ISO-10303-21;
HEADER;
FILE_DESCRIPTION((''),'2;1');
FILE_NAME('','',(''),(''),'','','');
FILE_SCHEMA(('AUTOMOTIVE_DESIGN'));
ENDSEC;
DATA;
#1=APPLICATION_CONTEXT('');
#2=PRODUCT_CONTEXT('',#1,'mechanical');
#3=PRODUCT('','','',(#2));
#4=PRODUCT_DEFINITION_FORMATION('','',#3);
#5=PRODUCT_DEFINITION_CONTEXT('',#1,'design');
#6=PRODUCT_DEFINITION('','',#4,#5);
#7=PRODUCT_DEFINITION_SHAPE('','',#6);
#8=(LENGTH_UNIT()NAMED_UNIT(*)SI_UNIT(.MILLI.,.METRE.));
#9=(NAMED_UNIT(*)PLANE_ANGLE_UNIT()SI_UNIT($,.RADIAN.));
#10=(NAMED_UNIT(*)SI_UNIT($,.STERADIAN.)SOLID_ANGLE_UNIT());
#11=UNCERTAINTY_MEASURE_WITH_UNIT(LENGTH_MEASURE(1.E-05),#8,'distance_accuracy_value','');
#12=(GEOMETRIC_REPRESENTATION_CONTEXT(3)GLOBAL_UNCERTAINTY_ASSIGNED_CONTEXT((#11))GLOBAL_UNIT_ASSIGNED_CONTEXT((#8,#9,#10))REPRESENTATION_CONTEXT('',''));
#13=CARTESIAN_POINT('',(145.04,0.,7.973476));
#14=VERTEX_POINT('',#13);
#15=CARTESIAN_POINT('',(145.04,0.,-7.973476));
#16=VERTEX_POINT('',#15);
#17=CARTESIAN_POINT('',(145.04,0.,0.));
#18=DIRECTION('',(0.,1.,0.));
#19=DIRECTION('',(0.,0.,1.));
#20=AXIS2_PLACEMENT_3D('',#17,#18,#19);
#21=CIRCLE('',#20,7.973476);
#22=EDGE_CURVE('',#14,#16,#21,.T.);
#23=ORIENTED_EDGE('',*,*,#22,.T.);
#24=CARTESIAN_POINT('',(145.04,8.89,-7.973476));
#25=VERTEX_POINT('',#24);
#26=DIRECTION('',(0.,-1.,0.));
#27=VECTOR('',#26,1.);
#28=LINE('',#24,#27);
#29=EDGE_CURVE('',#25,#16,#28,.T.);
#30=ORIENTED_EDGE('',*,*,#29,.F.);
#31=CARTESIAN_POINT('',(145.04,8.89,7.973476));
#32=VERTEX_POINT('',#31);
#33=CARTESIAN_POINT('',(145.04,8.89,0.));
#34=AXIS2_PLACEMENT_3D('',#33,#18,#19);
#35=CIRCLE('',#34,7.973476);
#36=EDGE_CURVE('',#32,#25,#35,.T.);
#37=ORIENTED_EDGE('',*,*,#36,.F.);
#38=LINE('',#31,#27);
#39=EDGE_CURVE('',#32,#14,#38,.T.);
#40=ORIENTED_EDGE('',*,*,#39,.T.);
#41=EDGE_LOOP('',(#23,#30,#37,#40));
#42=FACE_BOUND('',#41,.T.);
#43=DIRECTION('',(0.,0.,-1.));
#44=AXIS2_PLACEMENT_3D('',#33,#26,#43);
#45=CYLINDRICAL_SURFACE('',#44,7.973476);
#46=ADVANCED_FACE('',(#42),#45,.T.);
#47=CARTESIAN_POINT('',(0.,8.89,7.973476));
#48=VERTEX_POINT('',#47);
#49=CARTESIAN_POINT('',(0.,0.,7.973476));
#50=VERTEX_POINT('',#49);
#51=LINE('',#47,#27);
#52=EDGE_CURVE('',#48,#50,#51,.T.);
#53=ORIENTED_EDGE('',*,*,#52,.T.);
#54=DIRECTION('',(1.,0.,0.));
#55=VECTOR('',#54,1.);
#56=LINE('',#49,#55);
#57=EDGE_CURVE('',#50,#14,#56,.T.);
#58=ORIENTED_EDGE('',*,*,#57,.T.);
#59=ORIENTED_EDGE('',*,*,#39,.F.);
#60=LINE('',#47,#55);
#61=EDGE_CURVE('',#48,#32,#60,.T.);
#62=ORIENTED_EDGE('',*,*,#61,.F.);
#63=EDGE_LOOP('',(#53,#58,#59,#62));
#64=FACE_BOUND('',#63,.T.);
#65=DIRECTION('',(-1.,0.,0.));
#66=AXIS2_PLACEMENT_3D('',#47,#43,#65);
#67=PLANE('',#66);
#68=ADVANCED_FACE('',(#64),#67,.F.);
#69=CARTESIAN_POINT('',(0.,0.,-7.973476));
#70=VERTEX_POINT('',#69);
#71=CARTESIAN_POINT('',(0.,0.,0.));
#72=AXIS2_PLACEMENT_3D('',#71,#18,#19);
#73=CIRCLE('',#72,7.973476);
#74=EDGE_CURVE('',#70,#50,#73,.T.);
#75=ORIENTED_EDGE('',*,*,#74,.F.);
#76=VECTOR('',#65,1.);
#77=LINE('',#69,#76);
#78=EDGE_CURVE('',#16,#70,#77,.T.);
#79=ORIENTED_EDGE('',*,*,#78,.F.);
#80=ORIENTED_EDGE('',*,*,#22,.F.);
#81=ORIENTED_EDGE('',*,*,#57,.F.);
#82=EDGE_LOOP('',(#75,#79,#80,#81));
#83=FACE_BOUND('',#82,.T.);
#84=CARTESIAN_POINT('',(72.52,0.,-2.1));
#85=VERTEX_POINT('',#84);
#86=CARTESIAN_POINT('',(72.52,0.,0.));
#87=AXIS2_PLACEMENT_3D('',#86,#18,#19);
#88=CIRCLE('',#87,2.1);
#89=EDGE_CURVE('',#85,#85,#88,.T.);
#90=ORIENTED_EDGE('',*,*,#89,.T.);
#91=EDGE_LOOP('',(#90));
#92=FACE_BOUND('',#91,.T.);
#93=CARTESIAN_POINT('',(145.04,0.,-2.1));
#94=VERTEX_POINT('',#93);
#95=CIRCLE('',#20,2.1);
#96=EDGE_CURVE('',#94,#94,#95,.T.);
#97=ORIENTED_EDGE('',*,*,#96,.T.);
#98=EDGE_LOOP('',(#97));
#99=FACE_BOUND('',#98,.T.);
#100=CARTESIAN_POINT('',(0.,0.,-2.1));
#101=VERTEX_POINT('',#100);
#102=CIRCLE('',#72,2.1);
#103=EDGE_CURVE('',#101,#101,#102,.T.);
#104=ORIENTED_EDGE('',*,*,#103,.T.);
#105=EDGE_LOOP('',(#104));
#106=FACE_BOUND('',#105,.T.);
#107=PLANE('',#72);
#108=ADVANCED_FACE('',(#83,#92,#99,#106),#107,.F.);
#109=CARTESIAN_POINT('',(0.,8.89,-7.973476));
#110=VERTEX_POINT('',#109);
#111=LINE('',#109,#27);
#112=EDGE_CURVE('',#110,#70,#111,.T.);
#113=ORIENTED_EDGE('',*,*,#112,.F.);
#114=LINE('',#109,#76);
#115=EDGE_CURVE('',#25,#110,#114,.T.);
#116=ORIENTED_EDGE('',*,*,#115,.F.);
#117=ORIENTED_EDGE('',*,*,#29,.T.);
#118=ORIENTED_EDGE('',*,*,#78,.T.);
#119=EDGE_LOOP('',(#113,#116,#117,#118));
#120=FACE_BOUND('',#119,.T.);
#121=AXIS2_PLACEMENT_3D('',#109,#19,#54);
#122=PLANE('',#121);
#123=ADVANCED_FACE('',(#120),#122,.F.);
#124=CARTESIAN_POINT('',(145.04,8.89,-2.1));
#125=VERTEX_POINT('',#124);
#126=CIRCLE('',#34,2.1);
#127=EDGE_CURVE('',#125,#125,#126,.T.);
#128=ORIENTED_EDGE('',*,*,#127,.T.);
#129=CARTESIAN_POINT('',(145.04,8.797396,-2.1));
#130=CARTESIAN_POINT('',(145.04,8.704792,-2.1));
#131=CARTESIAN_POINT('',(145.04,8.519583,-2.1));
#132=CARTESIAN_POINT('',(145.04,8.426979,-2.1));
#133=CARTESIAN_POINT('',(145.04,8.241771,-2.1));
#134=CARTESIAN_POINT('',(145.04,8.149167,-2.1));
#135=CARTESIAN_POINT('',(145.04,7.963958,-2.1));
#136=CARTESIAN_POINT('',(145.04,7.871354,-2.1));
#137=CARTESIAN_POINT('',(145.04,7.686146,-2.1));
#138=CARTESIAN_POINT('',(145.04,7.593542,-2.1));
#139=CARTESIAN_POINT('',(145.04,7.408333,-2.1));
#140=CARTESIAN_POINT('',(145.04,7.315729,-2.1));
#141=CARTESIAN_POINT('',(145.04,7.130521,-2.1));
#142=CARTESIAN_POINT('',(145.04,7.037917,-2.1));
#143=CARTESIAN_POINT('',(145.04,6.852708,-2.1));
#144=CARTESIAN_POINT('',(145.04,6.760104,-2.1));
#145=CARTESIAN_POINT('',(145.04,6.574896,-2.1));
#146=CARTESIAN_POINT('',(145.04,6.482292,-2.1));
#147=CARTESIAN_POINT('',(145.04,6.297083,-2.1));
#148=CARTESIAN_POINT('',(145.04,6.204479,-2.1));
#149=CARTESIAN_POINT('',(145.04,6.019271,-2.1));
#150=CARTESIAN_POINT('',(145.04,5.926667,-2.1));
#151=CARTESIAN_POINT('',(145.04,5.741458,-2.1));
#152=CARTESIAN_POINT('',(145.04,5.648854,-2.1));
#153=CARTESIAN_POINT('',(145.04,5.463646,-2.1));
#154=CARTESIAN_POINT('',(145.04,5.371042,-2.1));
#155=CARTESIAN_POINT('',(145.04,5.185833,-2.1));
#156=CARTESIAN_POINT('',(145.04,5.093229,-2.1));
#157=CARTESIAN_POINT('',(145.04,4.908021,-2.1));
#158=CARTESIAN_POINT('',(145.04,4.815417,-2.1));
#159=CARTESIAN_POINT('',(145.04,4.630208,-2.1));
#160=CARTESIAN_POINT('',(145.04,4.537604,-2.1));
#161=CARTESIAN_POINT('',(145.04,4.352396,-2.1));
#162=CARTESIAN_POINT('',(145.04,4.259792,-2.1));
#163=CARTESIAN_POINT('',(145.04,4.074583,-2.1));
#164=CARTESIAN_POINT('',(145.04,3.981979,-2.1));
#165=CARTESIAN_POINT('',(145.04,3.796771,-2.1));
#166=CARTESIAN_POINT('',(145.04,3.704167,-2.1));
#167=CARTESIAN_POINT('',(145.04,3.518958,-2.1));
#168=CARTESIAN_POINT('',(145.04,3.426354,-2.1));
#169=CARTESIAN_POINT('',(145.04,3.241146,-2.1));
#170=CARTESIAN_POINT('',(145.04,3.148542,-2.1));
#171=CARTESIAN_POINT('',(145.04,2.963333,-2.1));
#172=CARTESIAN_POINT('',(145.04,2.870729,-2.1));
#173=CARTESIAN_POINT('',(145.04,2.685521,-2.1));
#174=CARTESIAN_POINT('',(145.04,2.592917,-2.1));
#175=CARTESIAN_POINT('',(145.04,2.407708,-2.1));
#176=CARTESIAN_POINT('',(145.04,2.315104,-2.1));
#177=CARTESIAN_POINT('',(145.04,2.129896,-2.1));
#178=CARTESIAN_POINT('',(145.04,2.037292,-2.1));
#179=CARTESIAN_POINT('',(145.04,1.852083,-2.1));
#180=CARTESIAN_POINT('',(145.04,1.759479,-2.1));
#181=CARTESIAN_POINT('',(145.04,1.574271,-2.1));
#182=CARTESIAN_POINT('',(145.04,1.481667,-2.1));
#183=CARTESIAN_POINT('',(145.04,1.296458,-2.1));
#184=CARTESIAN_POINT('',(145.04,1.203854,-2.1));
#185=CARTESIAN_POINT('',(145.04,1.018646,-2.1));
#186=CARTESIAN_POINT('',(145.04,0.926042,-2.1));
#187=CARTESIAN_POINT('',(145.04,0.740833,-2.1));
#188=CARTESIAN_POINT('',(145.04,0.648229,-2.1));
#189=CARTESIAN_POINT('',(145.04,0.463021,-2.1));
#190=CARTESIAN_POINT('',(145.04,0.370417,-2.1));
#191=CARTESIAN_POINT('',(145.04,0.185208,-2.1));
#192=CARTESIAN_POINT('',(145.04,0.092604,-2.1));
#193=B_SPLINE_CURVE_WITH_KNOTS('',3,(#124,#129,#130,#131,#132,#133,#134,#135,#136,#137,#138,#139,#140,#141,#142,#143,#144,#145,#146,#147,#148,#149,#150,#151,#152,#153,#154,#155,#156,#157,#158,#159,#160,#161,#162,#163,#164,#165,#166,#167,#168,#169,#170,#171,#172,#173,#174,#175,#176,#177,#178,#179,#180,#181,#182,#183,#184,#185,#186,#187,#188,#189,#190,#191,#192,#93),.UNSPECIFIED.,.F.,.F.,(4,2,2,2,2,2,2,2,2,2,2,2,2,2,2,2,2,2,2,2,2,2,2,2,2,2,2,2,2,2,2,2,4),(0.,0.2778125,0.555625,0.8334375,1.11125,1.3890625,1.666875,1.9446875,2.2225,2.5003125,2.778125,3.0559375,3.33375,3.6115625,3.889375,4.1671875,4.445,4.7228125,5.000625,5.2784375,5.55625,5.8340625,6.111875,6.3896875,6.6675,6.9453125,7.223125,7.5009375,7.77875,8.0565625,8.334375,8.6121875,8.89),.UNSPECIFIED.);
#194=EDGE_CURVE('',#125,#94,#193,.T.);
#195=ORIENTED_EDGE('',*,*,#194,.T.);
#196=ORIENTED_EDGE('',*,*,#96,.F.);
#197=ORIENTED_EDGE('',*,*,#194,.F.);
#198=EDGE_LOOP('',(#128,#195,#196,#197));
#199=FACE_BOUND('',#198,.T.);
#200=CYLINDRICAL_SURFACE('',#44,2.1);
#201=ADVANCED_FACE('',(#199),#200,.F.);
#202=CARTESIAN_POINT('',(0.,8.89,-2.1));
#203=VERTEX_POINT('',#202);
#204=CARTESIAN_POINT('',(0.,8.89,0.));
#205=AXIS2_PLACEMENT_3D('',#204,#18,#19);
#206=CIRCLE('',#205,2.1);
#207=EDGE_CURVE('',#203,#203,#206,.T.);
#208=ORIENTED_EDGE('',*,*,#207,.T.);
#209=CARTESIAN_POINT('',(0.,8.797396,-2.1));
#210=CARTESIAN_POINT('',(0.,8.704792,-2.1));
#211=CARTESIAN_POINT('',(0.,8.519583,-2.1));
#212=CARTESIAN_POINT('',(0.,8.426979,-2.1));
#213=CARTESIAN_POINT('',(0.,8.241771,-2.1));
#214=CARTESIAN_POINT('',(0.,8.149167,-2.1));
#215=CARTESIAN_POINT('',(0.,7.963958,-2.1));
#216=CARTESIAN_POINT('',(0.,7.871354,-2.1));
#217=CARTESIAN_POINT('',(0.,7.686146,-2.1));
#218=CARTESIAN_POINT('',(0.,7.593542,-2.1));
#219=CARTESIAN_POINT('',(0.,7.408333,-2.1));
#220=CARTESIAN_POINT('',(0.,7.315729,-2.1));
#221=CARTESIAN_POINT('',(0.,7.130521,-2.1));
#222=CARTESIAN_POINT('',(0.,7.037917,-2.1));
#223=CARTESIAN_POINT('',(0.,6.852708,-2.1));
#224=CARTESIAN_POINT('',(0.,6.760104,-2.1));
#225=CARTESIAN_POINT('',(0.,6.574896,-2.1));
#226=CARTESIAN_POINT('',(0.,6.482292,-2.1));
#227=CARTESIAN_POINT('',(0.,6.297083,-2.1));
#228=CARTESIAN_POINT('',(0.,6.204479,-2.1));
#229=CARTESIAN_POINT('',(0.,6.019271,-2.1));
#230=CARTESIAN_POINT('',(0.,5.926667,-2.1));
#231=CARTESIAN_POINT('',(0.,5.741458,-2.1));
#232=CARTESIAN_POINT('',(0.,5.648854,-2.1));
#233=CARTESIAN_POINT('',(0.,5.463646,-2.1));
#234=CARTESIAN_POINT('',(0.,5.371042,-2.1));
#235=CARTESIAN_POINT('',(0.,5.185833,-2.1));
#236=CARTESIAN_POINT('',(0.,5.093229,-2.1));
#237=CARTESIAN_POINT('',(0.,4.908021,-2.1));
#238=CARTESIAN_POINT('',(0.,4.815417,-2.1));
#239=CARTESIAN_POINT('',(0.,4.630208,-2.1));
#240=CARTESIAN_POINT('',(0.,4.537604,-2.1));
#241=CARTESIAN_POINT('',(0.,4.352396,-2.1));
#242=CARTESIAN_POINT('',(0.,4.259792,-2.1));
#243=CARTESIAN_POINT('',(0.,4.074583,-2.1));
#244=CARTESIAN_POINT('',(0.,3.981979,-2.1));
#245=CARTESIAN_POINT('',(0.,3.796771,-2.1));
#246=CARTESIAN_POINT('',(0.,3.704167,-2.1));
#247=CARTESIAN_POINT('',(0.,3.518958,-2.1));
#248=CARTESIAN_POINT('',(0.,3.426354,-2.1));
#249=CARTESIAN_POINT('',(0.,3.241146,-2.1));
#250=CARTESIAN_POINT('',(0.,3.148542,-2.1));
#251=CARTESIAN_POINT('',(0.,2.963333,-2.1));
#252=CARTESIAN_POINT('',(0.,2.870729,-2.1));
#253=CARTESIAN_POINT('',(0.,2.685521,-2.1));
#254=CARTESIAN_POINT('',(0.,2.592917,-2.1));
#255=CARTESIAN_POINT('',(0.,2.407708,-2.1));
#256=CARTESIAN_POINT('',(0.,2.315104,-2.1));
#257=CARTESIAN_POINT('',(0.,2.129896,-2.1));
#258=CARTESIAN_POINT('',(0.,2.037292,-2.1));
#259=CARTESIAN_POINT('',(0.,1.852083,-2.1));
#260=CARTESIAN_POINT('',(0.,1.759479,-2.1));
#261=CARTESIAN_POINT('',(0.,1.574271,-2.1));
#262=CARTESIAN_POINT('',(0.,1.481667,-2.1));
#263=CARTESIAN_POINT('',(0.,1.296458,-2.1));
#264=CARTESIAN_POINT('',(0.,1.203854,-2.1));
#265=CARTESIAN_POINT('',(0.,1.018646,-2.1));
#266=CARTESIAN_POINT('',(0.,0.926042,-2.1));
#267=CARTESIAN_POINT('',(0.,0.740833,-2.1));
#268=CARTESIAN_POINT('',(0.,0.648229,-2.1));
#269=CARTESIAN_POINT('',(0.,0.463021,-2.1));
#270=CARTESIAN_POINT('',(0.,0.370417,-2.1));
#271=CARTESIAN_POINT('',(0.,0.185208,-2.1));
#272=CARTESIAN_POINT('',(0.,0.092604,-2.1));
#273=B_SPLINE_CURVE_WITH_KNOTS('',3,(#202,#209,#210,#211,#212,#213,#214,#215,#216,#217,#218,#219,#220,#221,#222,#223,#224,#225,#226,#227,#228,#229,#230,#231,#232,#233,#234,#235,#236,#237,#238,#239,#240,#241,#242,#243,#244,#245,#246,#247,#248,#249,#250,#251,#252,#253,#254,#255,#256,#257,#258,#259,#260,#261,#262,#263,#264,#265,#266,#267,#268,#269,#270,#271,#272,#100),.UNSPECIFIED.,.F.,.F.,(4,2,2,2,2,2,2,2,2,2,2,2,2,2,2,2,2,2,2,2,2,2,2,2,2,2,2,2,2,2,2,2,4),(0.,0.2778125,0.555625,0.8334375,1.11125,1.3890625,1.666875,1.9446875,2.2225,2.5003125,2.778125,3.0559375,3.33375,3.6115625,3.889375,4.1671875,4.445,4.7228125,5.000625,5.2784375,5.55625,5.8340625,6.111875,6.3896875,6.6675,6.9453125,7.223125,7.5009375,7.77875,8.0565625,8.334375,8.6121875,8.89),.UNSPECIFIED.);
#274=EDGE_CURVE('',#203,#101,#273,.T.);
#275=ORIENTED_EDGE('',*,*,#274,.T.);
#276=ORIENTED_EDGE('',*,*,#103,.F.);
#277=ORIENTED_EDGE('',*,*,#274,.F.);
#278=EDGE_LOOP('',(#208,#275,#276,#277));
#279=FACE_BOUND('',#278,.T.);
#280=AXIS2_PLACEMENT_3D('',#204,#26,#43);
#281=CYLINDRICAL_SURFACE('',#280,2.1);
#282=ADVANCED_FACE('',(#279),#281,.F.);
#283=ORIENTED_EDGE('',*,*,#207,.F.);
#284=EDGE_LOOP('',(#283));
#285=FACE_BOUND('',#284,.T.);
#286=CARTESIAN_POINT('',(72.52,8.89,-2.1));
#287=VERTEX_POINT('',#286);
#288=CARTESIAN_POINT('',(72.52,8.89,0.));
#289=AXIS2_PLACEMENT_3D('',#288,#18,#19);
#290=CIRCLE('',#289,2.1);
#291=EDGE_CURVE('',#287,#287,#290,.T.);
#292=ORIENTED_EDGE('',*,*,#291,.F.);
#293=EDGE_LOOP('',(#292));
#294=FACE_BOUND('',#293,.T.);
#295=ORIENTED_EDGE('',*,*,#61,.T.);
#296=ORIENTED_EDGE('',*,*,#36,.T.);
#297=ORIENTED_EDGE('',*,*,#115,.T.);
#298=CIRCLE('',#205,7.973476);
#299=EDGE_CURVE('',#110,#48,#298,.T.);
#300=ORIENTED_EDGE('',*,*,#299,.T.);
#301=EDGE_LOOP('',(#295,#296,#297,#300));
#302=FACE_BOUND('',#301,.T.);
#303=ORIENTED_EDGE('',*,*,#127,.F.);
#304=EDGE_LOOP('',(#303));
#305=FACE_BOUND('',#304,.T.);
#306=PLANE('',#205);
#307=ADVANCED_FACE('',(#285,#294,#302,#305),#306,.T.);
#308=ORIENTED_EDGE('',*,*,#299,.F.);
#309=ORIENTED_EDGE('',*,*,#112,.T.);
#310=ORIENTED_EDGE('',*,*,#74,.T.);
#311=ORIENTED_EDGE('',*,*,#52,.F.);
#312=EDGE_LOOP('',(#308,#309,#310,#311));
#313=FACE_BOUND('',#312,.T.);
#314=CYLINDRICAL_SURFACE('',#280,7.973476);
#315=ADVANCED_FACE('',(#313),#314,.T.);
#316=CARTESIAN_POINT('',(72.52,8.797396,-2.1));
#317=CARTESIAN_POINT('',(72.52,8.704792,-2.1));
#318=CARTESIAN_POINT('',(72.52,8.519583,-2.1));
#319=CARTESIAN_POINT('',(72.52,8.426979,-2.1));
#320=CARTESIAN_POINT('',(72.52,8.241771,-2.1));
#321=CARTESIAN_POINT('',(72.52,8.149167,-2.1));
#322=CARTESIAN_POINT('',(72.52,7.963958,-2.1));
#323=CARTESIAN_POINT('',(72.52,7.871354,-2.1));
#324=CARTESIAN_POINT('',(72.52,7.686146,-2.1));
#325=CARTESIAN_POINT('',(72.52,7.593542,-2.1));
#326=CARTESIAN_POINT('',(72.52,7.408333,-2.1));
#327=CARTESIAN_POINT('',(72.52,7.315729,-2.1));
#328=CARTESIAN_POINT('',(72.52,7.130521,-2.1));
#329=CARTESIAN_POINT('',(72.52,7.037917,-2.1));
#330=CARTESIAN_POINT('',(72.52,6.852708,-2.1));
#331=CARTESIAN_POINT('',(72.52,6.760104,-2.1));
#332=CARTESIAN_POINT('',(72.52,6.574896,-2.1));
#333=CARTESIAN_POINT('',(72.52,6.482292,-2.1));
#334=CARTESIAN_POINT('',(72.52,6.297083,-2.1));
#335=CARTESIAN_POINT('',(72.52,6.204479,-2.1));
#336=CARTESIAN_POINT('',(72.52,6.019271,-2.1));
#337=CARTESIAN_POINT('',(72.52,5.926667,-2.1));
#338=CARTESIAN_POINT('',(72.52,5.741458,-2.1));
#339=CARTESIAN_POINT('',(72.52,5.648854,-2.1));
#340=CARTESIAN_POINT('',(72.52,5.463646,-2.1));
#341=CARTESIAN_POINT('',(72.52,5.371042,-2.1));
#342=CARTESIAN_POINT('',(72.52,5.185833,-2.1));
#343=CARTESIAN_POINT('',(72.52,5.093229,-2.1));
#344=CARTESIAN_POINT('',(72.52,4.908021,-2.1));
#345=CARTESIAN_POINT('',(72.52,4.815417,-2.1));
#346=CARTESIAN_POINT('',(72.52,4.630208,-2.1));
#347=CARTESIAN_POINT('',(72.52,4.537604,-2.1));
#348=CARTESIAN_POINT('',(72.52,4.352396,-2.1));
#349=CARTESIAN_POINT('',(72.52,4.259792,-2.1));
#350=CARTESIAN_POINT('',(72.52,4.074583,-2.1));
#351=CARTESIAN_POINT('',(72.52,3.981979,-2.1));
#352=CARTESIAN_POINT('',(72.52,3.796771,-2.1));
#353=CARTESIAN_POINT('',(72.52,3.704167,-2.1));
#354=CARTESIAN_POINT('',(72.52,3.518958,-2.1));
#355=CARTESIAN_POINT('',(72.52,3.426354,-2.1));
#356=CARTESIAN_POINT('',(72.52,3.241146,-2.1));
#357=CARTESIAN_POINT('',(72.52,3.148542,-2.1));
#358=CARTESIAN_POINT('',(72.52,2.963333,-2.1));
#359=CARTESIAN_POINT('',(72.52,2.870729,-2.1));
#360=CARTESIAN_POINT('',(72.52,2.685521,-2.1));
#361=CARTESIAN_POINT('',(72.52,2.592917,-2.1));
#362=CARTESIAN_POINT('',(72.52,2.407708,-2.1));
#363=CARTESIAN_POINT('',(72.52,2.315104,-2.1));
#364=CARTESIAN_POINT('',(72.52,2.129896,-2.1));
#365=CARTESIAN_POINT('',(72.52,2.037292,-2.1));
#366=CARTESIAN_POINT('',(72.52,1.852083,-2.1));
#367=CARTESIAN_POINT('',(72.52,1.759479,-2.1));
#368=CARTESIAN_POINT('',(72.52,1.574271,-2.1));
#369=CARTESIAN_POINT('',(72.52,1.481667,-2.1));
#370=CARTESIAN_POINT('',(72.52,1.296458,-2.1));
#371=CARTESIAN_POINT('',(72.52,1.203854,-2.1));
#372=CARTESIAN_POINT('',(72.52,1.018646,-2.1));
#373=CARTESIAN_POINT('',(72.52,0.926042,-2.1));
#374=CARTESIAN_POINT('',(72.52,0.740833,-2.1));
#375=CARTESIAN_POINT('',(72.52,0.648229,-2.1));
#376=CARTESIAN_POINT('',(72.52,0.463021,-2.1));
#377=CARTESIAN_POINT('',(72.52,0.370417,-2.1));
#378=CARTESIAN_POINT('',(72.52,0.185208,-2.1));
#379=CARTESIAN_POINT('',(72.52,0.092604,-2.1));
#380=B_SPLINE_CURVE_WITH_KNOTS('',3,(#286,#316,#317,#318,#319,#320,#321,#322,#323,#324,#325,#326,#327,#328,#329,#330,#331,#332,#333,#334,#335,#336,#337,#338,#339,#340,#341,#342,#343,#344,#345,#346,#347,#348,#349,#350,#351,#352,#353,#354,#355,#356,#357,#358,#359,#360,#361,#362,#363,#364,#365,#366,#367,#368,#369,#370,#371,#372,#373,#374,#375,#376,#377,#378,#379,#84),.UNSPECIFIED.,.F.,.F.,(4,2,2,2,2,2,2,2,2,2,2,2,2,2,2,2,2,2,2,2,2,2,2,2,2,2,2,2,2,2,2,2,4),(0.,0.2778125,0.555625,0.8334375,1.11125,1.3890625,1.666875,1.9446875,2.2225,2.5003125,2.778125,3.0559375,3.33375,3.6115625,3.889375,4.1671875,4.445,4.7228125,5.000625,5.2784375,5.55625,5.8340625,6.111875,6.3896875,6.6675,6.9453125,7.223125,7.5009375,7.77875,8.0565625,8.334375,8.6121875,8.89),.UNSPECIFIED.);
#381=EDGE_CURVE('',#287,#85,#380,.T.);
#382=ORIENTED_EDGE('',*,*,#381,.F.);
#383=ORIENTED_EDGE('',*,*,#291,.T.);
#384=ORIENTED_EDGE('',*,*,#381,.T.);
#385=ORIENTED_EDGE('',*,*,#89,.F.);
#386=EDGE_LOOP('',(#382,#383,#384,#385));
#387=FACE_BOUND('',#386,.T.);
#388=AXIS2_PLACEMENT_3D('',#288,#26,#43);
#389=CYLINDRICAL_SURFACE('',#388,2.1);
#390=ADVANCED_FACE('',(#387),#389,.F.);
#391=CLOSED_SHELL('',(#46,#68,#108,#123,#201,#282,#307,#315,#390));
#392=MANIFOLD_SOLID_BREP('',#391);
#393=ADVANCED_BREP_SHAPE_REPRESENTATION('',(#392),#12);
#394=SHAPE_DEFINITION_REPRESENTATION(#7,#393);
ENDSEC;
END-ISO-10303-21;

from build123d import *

# Parameters (mm, degrees)
SKETCH1_R           = 2.1
BOSS_EXTRUDE1_DEPTH = 8.89


with BuildPart() as part:
    # Sketch1 → Boss-Extrude1 (new body)
    with BuildSketch(Plane(origin=(0, 0, 0), x_dir=(1, 0, 0), z_dir=(0, 1, 0))):
        with BuildLine():
            Line((0, 7.973476097), (145.04, 7.973476097))
            ThreePointArc((145.04, 7.973476097), (153.013476097, 0), (145.04, -7.973476097))
            Line((145.04, -7.973476097), (0, -7.973476097))
            ThreePointArc((0, -7.973476097), (-7.973476097, 0), (0, 7.973476097))
        make_face()
        with Locations(Location((145.04, 0, 0), (0, 0, 90))):
            Circle(SKETCH1_R, mode=Mode.SUBTRACT)
        with Locations(Location((72.52, 0, 0), (0, 0, 90))):
            Circle(SKETCH1_R, mode=Mode.SUBTRACT)
        with Locations(Location((0, 0, 0), (0, 0, 90))):
            Circle(SKETCH1_R, mode=Mode.SUBTRACT)
    extrude(amount=BOSS_EXTRUDE1_DEPTH)


solid = part.part
